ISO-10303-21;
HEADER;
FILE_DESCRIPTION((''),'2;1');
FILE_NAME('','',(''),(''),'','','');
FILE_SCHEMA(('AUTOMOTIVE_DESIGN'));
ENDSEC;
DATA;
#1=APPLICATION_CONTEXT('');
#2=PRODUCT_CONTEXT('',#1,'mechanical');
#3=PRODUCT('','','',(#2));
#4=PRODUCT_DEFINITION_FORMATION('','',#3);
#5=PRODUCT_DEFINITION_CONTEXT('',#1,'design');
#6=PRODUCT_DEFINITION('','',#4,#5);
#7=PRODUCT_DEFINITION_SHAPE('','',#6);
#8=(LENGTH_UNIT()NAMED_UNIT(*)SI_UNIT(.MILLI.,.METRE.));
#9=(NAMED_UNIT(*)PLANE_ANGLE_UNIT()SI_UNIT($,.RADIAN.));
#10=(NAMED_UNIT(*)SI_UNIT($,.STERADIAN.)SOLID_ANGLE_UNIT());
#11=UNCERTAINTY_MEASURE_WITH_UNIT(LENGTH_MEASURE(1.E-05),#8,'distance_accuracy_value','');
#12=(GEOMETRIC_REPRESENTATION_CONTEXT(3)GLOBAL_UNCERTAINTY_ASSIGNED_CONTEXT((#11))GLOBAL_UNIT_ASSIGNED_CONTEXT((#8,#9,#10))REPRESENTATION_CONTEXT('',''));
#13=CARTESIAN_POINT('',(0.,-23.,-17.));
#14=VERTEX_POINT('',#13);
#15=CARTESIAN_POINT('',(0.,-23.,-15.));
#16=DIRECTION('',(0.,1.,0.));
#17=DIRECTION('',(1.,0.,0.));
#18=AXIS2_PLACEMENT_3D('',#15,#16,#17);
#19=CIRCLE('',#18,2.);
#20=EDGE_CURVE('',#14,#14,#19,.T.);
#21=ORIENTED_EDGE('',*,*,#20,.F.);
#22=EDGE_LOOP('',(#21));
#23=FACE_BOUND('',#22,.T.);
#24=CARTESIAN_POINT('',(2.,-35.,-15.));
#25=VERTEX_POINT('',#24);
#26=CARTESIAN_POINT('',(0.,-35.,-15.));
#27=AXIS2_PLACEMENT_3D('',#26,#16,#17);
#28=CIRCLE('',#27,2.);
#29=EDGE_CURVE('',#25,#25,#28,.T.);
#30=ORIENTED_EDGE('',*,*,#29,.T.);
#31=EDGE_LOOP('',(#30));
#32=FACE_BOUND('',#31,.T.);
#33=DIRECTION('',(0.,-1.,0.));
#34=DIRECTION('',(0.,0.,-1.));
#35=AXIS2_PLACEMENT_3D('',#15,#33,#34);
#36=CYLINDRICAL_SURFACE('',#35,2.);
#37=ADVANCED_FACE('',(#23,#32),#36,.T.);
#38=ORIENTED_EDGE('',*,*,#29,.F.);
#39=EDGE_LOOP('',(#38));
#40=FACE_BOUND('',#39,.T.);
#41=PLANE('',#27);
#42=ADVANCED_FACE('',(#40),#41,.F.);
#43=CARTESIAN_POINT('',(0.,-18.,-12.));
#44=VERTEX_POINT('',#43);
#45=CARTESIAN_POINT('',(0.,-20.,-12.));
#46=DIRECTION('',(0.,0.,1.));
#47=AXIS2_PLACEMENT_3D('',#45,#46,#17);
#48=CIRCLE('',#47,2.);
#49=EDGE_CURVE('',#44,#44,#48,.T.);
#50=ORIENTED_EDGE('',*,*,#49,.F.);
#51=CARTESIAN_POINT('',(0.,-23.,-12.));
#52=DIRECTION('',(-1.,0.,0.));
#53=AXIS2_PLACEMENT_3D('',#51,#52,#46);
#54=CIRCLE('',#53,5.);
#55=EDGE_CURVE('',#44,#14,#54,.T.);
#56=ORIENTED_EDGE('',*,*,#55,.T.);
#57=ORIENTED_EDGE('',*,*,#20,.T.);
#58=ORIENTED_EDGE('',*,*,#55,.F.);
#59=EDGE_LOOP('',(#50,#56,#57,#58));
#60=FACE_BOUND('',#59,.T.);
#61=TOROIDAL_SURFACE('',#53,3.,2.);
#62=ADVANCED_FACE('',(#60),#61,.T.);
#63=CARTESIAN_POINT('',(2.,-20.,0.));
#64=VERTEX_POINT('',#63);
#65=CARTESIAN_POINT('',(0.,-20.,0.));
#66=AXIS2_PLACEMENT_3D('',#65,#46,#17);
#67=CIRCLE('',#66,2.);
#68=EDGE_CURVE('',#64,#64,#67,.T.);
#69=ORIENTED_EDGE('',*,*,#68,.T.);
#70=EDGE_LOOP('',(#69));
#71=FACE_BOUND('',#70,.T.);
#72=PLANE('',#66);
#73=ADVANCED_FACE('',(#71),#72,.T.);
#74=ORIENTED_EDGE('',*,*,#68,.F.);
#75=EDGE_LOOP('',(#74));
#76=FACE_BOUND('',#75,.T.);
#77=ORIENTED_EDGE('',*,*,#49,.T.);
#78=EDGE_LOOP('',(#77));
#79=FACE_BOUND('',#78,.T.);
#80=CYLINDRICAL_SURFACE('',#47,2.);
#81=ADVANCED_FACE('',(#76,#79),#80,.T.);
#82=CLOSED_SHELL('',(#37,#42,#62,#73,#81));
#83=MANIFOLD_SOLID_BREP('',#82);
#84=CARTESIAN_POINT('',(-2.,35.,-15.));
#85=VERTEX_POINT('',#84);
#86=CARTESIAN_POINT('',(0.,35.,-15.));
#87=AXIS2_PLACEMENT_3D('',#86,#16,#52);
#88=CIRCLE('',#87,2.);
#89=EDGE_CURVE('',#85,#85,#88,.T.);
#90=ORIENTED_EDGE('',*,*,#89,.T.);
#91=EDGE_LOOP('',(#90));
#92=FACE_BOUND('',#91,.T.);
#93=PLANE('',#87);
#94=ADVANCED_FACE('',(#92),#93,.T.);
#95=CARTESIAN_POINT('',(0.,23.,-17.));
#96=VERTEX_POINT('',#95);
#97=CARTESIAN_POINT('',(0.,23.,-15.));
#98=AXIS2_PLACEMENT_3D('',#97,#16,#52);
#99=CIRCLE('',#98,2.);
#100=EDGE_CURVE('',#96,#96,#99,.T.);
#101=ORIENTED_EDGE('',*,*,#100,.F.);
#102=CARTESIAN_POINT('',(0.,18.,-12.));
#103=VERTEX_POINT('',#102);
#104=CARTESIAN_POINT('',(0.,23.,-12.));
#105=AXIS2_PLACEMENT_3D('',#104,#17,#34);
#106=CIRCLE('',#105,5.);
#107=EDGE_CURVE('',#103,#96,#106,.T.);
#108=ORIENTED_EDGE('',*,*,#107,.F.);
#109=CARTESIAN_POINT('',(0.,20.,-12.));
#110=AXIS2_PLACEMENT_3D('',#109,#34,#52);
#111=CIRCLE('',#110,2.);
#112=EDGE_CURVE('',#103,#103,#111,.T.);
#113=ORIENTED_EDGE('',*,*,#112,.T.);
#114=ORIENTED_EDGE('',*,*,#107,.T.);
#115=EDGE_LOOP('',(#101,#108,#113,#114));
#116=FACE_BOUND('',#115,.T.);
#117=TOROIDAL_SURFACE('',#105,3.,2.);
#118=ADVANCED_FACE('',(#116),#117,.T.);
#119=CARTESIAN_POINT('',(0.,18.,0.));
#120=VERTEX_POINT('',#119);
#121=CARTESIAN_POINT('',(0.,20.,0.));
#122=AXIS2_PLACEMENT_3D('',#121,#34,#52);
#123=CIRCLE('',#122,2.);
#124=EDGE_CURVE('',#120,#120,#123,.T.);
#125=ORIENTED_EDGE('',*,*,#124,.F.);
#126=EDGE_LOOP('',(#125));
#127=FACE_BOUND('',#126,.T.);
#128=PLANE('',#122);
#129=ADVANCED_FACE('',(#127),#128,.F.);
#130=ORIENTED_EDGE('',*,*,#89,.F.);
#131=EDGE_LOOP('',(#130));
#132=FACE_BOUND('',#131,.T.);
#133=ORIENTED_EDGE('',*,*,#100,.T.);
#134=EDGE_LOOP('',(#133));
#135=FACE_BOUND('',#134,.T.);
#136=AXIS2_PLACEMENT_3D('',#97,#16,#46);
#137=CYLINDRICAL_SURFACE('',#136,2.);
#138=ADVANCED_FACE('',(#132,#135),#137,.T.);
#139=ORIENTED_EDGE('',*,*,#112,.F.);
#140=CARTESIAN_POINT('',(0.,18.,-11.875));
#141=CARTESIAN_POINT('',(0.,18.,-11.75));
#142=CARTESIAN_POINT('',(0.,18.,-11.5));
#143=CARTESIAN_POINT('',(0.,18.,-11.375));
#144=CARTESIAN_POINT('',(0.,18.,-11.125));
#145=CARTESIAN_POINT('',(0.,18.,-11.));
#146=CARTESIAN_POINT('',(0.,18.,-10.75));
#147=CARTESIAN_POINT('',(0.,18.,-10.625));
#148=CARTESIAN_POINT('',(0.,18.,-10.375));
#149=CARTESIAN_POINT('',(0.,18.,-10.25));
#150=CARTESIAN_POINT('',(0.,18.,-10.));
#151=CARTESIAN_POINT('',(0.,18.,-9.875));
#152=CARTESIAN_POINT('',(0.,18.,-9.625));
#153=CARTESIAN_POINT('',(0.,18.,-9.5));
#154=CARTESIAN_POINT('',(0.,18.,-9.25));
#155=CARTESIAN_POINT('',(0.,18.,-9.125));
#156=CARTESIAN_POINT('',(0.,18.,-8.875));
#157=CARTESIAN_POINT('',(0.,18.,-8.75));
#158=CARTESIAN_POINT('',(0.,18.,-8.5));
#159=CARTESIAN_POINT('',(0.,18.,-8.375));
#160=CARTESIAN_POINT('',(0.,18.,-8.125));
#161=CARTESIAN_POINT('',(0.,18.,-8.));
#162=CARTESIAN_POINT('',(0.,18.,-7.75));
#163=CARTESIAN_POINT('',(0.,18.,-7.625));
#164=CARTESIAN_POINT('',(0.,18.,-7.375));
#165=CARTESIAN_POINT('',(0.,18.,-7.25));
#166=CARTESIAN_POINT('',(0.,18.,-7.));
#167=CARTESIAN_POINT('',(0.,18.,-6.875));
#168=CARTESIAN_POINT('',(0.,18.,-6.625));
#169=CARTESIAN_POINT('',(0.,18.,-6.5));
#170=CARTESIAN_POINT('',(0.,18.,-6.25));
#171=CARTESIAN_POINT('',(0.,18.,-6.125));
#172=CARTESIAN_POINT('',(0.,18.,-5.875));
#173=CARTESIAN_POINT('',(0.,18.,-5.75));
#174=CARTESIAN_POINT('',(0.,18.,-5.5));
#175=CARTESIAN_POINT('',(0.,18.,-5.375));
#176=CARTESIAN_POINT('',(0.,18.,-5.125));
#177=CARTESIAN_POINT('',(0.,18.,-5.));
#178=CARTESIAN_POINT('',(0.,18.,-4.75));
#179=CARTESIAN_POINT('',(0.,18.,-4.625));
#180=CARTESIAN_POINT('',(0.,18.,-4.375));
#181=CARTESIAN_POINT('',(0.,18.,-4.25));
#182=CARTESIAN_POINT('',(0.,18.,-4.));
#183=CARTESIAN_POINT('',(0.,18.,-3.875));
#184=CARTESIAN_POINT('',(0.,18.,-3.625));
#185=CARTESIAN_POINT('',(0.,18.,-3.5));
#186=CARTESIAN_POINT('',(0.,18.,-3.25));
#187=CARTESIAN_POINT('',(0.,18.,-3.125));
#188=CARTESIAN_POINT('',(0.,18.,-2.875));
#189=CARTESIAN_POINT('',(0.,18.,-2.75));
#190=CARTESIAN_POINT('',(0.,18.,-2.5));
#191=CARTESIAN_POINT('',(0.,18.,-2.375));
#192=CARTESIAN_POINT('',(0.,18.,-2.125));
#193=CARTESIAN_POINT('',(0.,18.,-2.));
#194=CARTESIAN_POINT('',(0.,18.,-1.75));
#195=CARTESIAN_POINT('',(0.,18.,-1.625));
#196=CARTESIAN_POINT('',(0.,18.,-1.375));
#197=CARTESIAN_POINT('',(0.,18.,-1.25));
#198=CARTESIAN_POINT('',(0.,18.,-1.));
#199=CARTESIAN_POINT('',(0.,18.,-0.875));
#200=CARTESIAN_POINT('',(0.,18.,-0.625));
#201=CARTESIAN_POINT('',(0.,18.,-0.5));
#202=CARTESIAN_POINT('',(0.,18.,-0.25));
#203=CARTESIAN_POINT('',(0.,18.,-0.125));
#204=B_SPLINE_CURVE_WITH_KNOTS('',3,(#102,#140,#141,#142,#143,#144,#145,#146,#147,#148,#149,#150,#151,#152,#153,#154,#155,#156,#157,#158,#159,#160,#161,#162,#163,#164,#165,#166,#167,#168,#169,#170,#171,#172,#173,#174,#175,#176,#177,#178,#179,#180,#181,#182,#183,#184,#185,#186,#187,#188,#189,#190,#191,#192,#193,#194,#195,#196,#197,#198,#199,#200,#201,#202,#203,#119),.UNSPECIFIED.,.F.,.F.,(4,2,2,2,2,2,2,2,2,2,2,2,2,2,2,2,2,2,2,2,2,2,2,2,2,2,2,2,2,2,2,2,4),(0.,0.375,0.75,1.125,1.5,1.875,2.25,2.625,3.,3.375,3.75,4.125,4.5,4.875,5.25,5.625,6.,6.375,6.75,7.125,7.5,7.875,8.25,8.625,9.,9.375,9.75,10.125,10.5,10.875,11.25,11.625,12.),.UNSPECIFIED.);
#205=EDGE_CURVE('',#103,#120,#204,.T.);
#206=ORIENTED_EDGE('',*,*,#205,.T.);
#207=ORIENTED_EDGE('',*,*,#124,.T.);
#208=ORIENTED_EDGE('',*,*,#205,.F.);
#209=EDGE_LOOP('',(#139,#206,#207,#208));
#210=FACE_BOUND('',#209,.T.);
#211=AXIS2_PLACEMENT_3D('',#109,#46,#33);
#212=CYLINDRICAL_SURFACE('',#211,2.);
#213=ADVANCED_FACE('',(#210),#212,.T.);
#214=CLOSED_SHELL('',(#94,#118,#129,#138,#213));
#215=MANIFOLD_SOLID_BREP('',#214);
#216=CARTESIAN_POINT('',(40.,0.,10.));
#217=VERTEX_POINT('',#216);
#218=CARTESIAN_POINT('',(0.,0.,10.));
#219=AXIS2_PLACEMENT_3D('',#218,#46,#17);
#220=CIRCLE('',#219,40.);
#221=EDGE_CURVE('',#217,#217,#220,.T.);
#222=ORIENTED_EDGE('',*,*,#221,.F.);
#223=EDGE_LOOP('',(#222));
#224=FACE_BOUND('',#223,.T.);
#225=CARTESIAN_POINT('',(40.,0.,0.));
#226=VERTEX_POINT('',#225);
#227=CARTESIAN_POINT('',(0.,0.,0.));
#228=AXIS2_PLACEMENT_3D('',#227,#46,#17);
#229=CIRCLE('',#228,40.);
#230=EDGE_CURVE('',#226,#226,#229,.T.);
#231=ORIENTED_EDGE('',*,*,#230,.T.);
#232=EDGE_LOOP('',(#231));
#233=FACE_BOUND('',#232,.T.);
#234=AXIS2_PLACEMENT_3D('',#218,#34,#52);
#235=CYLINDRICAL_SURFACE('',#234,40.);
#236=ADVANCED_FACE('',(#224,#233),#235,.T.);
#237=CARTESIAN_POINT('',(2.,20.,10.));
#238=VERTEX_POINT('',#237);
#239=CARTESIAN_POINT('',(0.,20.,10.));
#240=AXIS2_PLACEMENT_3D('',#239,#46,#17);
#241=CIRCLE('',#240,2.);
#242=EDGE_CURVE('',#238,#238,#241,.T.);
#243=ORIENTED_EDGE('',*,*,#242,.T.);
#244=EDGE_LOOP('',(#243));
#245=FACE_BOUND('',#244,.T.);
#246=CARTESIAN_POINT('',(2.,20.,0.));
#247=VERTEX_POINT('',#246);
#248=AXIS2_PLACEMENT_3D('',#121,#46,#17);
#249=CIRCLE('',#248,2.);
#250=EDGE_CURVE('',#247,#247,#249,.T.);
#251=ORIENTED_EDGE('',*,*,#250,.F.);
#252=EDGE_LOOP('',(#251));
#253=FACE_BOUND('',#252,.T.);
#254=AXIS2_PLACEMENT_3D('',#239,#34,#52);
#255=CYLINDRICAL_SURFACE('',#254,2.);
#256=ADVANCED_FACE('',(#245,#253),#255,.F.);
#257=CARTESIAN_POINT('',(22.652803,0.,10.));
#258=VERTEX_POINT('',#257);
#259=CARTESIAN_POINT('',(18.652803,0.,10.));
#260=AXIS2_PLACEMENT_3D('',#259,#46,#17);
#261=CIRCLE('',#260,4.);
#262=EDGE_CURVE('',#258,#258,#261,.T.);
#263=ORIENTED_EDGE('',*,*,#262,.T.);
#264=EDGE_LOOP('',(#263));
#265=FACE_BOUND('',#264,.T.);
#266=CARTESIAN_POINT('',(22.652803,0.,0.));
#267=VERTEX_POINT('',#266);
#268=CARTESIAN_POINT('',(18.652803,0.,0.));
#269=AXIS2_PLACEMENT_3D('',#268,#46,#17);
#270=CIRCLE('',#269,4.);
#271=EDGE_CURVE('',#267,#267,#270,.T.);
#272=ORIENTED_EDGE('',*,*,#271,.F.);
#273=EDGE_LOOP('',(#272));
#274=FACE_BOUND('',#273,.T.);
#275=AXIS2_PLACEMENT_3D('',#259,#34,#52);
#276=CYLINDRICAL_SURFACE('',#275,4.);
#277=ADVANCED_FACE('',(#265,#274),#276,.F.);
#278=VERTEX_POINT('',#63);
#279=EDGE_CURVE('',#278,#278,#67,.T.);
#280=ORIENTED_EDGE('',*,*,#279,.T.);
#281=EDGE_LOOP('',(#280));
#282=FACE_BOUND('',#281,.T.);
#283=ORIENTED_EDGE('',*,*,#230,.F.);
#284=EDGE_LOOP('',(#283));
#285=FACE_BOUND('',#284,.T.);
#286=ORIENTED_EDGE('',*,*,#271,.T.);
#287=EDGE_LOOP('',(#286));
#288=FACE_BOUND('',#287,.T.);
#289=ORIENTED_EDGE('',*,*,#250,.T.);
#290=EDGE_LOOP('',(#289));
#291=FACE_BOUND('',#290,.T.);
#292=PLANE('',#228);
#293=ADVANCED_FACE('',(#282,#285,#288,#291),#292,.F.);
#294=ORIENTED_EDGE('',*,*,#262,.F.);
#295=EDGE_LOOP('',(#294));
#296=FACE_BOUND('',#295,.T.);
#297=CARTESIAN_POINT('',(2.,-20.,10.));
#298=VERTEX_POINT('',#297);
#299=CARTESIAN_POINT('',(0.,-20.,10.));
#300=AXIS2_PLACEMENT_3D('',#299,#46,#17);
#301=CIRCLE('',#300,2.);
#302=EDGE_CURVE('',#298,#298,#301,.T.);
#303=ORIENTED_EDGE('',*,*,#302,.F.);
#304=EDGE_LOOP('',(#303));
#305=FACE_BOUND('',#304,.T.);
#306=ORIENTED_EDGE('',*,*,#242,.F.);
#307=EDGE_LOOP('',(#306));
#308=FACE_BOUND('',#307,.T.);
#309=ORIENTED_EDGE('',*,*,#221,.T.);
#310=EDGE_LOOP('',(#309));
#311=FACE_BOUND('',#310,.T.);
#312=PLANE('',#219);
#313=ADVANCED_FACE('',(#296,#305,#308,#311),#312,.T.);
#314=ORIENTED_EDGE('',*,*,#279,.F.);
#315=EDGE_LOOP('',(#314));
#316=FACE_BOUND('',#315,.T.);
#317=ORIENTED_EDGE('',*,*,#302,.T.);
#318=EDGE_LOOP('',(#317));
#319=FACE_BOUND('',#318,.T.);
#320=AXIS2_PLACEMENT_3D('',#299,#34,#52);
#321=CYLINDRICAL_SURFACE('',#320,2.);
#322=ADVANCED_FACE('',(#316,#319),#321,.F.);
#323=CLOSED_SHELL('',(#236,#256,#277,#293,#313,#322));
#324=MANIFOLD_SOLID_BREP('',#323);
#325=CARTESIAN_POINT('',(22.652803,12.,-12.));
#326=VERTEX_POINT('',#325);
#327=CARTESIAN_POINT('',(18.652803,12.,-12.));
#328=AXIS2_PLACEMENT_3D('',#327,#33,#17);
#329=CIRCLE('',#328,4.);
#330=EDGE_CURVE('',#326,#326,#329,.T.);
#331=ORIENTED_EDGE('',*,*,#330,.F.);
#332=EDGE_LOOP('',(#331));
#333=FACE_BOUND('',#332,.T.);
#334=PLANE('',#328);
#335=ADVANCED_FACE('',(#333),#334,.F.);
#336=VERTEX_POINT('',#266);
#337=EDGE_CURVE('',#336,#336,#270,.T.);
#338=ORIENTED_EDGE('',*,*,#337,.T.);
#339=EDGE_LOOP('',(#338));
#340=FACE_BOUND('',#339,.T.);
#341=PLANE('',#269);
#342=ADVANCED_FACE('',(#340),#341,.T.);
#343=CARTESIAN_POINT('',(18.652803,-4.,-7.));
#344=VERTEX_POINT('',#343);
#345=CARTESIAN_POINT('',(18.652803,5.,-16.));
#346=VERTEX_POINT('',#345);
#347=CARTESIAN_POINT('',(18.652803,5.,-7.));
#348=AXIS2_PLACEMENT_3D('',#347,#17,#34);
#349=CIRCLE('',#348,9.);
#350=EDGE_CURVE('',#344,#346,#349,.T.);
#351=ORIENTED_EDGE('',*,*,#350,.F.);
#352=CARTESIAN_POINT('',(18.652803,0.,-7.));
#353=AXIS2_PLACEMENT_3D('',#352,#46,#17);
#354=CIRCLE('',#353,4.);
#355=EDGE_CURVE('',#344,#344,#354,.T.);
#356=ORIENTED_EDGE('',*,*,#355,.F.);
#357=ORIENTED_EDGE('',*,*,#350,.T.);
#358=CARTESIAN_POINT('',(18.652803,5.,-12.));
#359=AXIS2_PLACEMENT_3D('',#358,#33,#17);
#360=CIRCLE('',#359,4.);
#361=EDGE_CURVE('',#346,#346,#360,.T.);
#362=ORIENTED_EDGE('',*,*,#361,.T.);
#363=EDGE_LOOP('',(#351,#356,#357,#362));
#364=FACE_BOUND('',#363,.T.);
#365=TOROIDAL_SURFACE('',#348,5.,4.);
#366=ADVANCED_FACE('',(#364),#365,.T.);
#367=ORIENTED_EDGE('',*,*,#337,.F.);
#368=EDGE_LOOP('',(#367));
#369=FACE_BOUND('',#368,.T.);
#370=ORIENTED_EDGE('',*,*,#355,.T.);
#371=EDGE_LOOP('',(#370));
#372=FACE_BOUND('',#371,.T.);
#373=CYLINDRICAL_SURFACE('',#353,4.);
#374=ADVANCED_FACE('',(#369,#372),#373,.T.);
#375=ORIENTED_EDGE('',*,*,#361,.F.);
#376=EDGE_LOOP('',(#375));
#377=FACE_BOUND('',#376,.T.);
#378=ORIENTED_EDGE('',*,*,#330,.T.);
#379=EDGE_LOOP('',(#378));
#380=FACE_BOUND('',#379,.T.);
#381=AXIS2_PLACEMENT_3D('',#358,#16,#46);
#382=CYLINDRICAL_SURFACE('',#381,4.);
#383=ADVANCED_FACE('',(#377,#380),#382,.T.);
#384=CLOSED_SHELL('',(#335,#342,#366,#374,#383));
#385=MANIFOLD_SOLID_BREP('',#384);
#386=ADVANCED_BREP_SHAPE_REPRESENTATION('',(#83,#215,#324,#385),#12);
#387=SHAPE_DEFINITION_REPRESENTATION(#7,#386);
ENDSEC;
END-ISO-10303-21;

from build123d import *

# Parameters (mm, degrees)
SKETCH1_R           = 40
SKETCH1_R_2         = 2
SKETCH1_R_3         = 4
BOSS_EXTRUDE1_DEPTH = 10
SKETCH5_R           = 2
SKETCH3_R           = 2
SKETCH6_R           = 4


with BuildPart() as part:
    # Sketch1 → Boss-Extrude1 (new body)
    with BuildSketch(Plane.XY):
        Circle(SKETCH1_R)
        with Locations((0, 20)):
            Circle(SKETCH1_R_2, mode=Mode.SUBTRACT)
        with Locations((0, -20)):
            Circle(SKETCH1_R_2, mode=Mode.SUBTRACT)
        with Locations((18.65280258, 0)):
            Circle(SKETCH1_R_3, mode=Mode.SUBTRACT)
    extrude(amount=BOSS_EXTRUDE1_DEPTH)


with BuildPart() as body_2:
    # Sweep4: sweep along a path in Sketch4
    with BuildLine(Plane(origin=(0, 0, 0), x_dir=(0, 0, -1), z_dir=(1, 0, 0))) as sweep4_path:
        Line((17, -35), (17, -23))
        ThreePointArc((17, -23), (15.535533906, -19.464466094), (12, -18))
        Line((12, -18), (0, -18))
    # Sketch5 → Sweep4 (sweep)
    with BuildSketch(Plane.XY):
        with Locations((0, -20)):
            Circle(SKETCH5_R)
    sweep(path=sweep4_path.line)


with BuildPart() as body_3:
    # Sweep5: sweep along a path in Sketch2
    with BuildLine(Plane(origin=(0, 0, 0), x_dir=(0, 0, -1), z_dir=(1, 0, 0))) as sweep5_path:
        Line((17, 35), (17, 23))
        ThreePointArc((17, 23), (15.535533906, 19.464466094), (12, 18))
        Line((12, 18), (0, 18))
    # Sketch3 → Sweep5 (sweep)
    with BuildSketch(Plane(origin=(0, 0, 0), x_dir=(-1, 0, 0), z_dir=(0, 0, -1))):
        with Locations((0, 20)):
            Circle(SKETCH3_R)
    sweep(path=sweep5_path.line)


with BuildPart() as body_4:
    # Sweep6: sweep along a path in Sketch8
    with BuildLine(Plane(origin=(18.65280258, 0, 0), x_dir=(0, 0, -1), z_dir=(1, 0, 0))) as sweep6_path:
        Line((0, 0), (7, 0))
        ThreePointArc((7, 0), (10.535533906, 1.464466094), (12, 5))
        Line((12, 5), (12, 12))
    # Sketch6 → Sweep6 (sweep)
    with BuildSketch(Plane.XY):
        with Locations((18.65280258, 0)):
            Circle(SKETCH6_R)
    sweep(path=sweep6_path.line)


solid = Compound([part.part, body_2.part, body_3.part, body_4.part])
